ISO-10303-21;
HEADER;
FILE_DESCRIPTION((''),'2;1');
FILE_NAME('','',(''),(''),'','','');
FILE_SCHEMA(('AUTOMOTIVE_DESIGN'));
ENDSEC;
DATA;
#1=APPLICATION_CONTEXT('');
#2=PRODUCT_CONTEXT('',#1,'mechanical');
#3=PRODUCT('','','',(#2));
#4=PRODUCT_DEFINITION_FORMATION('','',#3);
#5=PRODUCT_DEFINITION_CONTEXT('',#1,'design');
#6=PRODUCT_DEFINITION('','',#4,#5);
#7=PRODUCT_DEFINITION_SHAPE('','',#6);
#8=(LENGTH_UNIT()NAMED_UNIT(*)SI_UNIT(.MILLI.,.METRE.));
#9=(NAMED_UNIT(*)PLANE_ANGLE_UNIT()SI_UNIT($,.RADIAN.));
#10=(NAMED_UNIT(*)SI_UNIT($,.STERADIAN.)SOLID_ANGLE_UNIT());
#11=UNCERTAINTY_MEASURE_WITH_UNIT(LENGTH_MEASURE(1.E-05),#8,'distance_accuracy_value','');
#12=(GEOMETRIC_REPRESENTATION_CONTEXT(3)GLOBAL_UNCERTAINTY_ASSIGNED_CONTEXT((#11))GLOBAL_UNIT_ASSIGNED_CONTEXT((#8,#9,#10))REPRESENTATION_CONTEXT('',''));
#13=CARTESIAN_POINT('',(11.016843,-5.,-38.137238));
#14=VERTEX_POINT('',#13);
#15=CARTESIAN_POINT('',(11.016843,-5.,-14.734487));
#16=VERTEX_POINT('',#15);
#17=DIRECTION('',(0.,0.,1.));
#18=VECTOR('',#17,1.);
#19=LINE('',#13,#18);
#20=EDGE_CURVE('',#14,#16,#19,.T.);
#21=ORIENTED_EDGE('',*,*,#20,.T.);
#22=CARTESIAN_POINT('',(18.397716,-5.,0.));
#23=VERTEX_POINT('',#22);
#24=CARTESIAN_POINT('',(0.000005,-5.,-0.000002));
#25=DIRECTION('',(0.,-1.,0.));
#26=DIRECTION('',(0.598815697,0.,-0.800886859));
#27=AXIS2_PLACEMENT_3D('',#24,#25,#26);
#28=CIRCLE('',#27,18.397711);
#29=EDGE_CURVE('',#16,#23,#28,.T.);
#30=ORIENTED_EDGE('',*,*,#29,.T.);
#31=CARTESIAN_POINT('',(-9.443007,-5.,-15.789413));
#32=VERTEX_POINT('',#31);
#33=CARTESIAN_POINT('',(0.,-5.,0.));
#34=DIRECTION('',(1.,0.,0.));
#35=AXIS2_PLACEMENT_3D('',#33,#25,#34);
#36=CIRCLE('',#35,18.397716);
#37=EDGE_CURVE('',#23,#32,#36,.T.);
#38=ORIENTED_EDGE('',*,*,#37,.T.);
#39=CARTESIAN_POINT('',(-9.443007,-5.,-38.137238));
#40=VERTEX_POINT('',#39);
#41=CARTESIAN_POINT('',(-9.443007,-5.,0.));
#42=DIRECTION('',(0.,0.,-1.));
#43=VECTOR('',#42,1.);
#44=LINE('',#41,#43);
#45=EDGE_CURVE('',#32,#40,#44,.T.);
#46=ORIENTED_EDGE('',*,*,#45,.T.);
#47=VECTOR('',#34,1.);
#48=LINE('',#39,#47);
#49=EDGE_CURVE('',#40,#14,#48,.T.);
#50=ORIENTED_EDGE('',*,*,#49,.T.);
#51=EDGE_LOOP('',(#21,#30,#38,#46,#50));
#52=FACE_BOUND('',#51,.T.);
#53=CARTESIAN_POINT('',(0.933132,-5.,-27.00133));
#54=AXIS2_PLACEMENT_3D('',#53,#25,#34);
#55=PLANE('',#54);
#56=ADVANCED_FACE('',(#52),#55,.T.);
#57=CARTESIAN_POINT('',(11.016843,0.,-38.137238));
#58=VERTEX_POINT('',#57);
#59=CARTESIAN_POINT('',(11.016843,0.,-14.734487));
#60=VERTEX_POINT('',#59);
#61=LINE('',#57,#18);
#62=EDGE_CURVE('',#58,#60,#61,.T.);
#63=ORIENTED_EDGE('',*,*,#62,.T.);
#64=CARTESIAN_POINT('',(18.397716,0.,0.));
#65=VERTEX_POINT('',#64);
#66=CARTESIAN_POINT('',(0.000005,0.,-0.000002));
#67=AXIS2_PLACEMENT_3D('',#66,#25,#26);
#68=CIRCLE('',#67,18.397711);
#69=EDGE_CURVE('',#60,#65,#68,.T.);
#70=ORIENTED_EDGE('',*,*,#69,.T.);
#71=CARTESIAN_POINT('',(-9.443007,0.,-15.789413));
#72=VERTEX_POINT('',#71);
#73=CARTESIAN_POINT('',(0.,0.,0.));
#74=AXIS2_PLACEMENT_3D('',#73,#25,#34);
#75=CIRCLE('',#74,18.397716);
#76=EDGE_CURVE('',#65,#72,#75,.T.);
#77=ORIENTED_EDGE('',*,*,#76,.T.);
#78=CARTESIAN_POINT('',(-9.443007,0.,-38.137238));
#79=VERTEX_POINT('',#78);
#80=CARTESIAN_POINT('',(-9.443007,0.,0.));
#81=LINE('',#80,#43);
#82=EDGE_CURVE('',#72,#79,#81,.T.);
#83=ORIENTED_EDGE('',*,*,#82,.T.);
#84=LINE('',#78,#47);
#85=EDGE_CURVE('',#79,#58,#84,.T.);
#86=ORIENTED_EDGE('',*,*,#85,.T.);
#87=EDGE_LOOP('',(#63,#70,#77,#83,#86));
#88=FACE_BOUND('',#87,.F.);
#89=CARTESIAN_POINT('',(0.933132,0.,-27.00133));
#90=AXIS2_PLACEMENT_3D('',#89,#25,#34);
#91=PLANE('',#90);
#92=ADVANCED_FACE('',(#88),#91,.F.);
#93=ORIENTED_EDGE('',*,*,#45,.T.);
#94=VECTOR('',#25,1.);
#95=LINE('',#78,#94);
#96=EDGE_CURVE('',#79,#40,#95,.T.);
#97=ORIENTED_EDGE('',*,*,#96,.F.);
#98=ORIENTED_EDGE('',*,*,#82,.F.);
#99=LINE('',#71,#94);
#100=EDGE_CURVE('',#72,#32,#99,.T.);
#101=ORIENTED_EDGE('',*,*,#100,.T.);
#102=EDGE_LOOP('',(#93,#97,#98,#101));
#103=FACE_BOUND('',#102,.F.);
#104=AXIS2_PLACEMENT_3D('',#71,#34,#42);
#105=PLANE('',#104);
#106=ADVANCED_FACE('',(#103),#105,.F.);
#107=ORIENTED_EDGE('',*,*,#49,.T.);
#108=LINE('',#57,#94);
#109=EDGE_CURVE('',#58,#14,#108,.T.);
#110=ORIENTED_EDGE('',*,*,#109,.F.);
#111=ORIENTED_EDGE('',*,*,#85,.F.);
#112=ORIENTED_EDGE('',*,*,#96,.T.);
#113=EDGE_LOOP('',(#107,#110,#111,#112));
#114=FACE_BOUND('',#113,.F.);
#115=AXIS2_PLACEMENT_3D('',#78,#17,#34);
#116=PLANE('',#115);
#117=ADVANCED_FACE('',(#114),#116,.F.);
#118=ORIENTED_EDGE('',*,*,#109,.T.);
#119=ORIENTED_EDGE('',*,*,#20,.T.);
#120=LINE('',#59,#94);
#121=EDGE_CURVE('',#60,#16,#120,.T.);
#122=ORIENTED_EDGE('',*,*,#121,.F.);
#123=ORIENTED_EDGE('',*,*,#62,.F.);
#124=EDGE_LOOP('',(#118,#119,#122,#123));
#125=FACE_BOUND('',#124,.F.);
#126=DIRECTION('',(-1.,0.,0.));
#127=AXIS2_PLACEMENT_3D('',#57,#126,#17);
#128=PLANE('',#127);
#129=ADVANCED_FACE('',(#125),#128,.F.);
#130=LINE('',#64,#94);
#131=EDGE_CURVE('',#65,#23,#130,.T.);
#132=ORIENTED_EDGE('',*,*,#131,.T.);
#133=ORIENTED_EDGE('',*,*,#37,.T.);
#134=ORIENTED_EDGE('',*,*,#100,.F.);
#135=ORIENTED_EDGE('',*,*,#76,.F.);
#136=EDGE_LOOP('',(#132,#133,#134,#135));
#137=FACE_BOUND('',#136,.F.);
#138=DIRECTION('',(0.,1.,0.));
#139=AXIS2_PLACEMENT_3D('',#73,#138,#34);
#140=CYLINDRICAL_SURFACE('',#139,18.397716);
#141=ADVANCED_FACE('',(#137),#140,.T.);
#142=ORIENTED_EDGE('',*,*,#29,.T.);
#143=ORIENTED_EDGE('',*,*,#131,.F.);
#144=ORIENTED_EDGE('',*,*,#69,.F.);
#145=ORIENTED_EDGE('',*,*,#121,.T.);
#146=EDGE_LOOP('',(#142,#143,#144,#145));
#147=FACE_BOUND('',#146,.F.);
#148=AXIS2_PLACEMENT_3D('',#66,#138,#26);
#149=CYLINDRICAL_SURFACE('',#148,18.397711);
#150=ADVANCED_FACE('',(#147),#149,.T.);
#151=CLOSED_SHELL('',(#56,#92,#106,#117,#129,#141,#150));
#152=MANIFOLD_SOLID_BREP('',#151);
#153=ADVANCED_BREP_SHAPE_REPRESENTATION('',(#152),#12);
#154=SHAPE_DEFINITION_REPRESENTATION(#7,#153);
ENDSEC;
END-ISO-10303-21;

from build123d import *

# Parameters (mm, degrees)
F1_DEPTH = 5


with BuildPart() as f1:
    # F0 (on Front) → F1 (new body)
    with BuildSketch(Plane.XZ):
        with BuildLine():
            ThreePointArc((11.016843, -14.734487), (0.947342, -18.373309), (-9.443007, -15.789413))
            Line((-9.443007, -15.789413), (-9.443007, -38.137238))
            Line((-9.443007, -38.137238), (11.016843, -38.137238))
            Line((11.016843, -38.137238), (11.016843, -14.734487))
        make_face()
        with BuildLine():
            Line((-9.443007, 0), (-9.443007, -15.789413))
            ThreePointArc((-9.443007, -15.789413), (0.947342, -18.373309), (11.016843, -14.734487))
            Line((11.016843, -14.734487), (11.016843, 0))
            Line((11.016843, 0), (-9.443007, 0))
        make_face()
        with BuildLine():
            ThreePointArc((11.016843, -14.734487), (16.449327, -8.239879), (18.397716, 0))
            ThreePointArc((18.397716, 0), (-9.075962, 16.003214), (-9.443007, -15.789413))
            Line((-9.443007, -15.789413), (-9.443007, 0))
            Line((-9.443007, 0), (11.016843, 0))
            Line((11.016843, 0), (11.016843, -14.734487))
        make_face()
    extrude(amount=F1_DEPTH)


solid = f1.part
